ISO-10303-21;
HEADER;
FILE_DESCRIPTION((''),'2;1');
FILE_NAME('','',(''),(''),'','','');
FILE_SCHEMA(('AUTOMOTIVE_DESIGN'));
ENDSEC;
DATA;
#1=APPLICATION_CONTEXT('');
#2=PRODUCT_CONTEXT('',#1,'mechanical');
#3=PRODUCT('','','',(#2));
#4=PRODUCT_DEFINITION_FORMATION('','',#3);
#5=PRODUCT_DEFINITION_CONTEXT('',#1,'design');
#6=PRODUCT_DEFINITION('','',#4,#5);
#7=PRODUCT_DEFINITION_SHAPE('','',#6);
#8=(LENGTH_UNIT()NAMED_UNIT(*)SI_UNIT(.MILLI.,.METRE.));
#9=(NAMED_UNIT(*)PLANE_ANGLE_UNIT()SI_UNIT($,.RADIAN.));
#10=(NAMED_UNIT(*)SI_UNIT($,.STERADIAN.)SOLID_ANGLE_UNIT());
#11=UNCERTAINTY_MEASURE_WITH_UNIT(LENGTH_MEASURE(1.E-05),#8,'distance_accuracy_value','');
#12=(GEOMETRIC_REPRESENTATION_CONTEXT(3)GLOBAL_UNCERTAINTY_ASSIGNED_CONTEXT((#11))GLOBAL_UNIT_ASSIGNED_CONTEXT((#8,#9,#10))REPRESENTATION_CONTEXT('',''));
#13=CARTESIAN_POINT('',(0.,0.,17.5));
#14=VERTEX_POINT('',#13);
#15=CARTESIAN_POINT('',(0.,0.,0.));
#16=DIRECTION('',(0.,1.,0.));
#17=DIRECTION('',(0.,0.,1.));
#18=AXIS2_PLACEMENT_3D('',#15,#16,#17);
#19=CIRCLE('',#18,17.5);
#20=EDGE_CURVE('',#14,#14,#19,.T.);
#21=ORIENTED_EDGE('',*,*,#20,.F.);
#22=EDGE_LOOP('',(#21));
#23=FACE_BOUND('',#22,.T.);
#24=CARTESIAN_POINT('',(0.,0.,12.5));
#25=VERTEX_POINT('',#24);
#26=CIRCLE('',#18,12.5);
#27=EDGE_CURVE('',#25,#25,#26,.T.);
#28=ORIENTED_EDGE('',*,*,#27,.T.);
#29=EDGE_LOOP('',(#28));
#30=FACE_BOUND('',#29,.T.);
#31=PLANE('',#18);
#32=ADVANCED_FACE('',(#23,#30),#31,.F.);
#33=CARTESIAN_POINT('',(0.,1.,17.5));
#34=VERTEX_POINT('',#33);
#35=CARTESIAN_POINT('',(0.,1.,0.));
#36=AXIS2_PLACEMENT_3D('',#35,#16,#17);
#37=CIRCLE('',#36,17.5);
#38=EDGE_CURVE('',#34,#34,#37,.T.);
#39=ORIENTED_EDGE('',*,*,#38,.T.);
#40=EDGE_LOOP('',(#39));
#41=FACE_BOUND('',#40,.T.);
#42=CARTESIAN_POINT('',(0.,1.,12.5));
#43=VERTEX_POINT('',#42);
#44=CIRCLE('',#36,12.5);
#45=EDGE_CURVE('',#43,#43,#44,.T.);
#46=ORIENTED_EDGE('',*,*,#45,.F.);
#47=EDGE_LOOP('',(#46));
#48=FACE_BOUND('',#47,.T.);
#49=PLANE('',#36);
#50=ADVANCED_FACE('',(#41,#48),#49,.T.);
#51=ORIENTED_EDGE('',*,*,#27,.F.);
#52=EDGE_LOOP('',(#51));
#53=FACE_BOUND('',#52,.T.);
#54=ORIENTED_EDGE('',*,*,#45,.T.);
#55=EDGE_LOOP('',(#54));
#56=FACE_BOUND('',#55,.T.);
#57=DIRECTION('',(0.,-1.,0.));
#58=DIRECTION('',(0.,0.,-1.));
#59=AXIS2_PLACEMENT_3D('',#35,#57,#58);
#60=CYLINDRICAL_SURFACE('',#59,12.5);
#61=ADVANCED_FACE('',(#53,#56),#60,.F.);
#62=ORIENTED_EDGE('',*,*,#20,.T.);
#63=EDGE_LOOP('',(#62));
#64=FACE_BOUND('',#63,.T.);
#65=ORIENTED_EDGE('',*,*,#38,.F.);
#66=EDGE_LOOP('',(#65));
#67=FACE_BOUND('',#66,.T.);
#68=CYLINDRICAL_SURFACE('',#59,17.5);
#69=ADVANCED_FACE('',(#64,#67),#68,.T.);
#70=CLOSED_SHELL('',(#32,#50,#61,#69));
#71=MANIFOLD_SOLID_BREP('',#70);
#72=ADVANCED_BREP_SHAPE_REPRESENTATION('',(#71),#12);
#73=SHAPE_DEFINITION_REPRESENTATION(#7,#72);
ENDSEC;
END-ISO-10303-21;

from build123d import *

# Parameters (mm, degrees)
SZKIC1_R                    = 17.5
SZKIC1_R_2                  = 12.5
DODANIE_WYCI_GNI_CIE1_DEPTH = 1


with BuildPart() as part:
    # Szkic1 → Dodanie-wyciągnięcie1 (new body)
    with BuildSketch(Plane(origin=(0, 0, 0), x_dir=(1, 0, 0), z_dir=(0, 1, 0))):
        with Locations(Location((0, 0, 0), (0, 0, 270))):
            Circle(SZKIC1_R)
        with Locations(Location((0, 0, 0), (0, 0, 270))):
            Circle(SZKIC1_R_2, mode=Mode.SUBTRACT)
    extrude(amount=DODANIE_WYCI_GNI_CIE1_DEPTH)


solid = part.part
